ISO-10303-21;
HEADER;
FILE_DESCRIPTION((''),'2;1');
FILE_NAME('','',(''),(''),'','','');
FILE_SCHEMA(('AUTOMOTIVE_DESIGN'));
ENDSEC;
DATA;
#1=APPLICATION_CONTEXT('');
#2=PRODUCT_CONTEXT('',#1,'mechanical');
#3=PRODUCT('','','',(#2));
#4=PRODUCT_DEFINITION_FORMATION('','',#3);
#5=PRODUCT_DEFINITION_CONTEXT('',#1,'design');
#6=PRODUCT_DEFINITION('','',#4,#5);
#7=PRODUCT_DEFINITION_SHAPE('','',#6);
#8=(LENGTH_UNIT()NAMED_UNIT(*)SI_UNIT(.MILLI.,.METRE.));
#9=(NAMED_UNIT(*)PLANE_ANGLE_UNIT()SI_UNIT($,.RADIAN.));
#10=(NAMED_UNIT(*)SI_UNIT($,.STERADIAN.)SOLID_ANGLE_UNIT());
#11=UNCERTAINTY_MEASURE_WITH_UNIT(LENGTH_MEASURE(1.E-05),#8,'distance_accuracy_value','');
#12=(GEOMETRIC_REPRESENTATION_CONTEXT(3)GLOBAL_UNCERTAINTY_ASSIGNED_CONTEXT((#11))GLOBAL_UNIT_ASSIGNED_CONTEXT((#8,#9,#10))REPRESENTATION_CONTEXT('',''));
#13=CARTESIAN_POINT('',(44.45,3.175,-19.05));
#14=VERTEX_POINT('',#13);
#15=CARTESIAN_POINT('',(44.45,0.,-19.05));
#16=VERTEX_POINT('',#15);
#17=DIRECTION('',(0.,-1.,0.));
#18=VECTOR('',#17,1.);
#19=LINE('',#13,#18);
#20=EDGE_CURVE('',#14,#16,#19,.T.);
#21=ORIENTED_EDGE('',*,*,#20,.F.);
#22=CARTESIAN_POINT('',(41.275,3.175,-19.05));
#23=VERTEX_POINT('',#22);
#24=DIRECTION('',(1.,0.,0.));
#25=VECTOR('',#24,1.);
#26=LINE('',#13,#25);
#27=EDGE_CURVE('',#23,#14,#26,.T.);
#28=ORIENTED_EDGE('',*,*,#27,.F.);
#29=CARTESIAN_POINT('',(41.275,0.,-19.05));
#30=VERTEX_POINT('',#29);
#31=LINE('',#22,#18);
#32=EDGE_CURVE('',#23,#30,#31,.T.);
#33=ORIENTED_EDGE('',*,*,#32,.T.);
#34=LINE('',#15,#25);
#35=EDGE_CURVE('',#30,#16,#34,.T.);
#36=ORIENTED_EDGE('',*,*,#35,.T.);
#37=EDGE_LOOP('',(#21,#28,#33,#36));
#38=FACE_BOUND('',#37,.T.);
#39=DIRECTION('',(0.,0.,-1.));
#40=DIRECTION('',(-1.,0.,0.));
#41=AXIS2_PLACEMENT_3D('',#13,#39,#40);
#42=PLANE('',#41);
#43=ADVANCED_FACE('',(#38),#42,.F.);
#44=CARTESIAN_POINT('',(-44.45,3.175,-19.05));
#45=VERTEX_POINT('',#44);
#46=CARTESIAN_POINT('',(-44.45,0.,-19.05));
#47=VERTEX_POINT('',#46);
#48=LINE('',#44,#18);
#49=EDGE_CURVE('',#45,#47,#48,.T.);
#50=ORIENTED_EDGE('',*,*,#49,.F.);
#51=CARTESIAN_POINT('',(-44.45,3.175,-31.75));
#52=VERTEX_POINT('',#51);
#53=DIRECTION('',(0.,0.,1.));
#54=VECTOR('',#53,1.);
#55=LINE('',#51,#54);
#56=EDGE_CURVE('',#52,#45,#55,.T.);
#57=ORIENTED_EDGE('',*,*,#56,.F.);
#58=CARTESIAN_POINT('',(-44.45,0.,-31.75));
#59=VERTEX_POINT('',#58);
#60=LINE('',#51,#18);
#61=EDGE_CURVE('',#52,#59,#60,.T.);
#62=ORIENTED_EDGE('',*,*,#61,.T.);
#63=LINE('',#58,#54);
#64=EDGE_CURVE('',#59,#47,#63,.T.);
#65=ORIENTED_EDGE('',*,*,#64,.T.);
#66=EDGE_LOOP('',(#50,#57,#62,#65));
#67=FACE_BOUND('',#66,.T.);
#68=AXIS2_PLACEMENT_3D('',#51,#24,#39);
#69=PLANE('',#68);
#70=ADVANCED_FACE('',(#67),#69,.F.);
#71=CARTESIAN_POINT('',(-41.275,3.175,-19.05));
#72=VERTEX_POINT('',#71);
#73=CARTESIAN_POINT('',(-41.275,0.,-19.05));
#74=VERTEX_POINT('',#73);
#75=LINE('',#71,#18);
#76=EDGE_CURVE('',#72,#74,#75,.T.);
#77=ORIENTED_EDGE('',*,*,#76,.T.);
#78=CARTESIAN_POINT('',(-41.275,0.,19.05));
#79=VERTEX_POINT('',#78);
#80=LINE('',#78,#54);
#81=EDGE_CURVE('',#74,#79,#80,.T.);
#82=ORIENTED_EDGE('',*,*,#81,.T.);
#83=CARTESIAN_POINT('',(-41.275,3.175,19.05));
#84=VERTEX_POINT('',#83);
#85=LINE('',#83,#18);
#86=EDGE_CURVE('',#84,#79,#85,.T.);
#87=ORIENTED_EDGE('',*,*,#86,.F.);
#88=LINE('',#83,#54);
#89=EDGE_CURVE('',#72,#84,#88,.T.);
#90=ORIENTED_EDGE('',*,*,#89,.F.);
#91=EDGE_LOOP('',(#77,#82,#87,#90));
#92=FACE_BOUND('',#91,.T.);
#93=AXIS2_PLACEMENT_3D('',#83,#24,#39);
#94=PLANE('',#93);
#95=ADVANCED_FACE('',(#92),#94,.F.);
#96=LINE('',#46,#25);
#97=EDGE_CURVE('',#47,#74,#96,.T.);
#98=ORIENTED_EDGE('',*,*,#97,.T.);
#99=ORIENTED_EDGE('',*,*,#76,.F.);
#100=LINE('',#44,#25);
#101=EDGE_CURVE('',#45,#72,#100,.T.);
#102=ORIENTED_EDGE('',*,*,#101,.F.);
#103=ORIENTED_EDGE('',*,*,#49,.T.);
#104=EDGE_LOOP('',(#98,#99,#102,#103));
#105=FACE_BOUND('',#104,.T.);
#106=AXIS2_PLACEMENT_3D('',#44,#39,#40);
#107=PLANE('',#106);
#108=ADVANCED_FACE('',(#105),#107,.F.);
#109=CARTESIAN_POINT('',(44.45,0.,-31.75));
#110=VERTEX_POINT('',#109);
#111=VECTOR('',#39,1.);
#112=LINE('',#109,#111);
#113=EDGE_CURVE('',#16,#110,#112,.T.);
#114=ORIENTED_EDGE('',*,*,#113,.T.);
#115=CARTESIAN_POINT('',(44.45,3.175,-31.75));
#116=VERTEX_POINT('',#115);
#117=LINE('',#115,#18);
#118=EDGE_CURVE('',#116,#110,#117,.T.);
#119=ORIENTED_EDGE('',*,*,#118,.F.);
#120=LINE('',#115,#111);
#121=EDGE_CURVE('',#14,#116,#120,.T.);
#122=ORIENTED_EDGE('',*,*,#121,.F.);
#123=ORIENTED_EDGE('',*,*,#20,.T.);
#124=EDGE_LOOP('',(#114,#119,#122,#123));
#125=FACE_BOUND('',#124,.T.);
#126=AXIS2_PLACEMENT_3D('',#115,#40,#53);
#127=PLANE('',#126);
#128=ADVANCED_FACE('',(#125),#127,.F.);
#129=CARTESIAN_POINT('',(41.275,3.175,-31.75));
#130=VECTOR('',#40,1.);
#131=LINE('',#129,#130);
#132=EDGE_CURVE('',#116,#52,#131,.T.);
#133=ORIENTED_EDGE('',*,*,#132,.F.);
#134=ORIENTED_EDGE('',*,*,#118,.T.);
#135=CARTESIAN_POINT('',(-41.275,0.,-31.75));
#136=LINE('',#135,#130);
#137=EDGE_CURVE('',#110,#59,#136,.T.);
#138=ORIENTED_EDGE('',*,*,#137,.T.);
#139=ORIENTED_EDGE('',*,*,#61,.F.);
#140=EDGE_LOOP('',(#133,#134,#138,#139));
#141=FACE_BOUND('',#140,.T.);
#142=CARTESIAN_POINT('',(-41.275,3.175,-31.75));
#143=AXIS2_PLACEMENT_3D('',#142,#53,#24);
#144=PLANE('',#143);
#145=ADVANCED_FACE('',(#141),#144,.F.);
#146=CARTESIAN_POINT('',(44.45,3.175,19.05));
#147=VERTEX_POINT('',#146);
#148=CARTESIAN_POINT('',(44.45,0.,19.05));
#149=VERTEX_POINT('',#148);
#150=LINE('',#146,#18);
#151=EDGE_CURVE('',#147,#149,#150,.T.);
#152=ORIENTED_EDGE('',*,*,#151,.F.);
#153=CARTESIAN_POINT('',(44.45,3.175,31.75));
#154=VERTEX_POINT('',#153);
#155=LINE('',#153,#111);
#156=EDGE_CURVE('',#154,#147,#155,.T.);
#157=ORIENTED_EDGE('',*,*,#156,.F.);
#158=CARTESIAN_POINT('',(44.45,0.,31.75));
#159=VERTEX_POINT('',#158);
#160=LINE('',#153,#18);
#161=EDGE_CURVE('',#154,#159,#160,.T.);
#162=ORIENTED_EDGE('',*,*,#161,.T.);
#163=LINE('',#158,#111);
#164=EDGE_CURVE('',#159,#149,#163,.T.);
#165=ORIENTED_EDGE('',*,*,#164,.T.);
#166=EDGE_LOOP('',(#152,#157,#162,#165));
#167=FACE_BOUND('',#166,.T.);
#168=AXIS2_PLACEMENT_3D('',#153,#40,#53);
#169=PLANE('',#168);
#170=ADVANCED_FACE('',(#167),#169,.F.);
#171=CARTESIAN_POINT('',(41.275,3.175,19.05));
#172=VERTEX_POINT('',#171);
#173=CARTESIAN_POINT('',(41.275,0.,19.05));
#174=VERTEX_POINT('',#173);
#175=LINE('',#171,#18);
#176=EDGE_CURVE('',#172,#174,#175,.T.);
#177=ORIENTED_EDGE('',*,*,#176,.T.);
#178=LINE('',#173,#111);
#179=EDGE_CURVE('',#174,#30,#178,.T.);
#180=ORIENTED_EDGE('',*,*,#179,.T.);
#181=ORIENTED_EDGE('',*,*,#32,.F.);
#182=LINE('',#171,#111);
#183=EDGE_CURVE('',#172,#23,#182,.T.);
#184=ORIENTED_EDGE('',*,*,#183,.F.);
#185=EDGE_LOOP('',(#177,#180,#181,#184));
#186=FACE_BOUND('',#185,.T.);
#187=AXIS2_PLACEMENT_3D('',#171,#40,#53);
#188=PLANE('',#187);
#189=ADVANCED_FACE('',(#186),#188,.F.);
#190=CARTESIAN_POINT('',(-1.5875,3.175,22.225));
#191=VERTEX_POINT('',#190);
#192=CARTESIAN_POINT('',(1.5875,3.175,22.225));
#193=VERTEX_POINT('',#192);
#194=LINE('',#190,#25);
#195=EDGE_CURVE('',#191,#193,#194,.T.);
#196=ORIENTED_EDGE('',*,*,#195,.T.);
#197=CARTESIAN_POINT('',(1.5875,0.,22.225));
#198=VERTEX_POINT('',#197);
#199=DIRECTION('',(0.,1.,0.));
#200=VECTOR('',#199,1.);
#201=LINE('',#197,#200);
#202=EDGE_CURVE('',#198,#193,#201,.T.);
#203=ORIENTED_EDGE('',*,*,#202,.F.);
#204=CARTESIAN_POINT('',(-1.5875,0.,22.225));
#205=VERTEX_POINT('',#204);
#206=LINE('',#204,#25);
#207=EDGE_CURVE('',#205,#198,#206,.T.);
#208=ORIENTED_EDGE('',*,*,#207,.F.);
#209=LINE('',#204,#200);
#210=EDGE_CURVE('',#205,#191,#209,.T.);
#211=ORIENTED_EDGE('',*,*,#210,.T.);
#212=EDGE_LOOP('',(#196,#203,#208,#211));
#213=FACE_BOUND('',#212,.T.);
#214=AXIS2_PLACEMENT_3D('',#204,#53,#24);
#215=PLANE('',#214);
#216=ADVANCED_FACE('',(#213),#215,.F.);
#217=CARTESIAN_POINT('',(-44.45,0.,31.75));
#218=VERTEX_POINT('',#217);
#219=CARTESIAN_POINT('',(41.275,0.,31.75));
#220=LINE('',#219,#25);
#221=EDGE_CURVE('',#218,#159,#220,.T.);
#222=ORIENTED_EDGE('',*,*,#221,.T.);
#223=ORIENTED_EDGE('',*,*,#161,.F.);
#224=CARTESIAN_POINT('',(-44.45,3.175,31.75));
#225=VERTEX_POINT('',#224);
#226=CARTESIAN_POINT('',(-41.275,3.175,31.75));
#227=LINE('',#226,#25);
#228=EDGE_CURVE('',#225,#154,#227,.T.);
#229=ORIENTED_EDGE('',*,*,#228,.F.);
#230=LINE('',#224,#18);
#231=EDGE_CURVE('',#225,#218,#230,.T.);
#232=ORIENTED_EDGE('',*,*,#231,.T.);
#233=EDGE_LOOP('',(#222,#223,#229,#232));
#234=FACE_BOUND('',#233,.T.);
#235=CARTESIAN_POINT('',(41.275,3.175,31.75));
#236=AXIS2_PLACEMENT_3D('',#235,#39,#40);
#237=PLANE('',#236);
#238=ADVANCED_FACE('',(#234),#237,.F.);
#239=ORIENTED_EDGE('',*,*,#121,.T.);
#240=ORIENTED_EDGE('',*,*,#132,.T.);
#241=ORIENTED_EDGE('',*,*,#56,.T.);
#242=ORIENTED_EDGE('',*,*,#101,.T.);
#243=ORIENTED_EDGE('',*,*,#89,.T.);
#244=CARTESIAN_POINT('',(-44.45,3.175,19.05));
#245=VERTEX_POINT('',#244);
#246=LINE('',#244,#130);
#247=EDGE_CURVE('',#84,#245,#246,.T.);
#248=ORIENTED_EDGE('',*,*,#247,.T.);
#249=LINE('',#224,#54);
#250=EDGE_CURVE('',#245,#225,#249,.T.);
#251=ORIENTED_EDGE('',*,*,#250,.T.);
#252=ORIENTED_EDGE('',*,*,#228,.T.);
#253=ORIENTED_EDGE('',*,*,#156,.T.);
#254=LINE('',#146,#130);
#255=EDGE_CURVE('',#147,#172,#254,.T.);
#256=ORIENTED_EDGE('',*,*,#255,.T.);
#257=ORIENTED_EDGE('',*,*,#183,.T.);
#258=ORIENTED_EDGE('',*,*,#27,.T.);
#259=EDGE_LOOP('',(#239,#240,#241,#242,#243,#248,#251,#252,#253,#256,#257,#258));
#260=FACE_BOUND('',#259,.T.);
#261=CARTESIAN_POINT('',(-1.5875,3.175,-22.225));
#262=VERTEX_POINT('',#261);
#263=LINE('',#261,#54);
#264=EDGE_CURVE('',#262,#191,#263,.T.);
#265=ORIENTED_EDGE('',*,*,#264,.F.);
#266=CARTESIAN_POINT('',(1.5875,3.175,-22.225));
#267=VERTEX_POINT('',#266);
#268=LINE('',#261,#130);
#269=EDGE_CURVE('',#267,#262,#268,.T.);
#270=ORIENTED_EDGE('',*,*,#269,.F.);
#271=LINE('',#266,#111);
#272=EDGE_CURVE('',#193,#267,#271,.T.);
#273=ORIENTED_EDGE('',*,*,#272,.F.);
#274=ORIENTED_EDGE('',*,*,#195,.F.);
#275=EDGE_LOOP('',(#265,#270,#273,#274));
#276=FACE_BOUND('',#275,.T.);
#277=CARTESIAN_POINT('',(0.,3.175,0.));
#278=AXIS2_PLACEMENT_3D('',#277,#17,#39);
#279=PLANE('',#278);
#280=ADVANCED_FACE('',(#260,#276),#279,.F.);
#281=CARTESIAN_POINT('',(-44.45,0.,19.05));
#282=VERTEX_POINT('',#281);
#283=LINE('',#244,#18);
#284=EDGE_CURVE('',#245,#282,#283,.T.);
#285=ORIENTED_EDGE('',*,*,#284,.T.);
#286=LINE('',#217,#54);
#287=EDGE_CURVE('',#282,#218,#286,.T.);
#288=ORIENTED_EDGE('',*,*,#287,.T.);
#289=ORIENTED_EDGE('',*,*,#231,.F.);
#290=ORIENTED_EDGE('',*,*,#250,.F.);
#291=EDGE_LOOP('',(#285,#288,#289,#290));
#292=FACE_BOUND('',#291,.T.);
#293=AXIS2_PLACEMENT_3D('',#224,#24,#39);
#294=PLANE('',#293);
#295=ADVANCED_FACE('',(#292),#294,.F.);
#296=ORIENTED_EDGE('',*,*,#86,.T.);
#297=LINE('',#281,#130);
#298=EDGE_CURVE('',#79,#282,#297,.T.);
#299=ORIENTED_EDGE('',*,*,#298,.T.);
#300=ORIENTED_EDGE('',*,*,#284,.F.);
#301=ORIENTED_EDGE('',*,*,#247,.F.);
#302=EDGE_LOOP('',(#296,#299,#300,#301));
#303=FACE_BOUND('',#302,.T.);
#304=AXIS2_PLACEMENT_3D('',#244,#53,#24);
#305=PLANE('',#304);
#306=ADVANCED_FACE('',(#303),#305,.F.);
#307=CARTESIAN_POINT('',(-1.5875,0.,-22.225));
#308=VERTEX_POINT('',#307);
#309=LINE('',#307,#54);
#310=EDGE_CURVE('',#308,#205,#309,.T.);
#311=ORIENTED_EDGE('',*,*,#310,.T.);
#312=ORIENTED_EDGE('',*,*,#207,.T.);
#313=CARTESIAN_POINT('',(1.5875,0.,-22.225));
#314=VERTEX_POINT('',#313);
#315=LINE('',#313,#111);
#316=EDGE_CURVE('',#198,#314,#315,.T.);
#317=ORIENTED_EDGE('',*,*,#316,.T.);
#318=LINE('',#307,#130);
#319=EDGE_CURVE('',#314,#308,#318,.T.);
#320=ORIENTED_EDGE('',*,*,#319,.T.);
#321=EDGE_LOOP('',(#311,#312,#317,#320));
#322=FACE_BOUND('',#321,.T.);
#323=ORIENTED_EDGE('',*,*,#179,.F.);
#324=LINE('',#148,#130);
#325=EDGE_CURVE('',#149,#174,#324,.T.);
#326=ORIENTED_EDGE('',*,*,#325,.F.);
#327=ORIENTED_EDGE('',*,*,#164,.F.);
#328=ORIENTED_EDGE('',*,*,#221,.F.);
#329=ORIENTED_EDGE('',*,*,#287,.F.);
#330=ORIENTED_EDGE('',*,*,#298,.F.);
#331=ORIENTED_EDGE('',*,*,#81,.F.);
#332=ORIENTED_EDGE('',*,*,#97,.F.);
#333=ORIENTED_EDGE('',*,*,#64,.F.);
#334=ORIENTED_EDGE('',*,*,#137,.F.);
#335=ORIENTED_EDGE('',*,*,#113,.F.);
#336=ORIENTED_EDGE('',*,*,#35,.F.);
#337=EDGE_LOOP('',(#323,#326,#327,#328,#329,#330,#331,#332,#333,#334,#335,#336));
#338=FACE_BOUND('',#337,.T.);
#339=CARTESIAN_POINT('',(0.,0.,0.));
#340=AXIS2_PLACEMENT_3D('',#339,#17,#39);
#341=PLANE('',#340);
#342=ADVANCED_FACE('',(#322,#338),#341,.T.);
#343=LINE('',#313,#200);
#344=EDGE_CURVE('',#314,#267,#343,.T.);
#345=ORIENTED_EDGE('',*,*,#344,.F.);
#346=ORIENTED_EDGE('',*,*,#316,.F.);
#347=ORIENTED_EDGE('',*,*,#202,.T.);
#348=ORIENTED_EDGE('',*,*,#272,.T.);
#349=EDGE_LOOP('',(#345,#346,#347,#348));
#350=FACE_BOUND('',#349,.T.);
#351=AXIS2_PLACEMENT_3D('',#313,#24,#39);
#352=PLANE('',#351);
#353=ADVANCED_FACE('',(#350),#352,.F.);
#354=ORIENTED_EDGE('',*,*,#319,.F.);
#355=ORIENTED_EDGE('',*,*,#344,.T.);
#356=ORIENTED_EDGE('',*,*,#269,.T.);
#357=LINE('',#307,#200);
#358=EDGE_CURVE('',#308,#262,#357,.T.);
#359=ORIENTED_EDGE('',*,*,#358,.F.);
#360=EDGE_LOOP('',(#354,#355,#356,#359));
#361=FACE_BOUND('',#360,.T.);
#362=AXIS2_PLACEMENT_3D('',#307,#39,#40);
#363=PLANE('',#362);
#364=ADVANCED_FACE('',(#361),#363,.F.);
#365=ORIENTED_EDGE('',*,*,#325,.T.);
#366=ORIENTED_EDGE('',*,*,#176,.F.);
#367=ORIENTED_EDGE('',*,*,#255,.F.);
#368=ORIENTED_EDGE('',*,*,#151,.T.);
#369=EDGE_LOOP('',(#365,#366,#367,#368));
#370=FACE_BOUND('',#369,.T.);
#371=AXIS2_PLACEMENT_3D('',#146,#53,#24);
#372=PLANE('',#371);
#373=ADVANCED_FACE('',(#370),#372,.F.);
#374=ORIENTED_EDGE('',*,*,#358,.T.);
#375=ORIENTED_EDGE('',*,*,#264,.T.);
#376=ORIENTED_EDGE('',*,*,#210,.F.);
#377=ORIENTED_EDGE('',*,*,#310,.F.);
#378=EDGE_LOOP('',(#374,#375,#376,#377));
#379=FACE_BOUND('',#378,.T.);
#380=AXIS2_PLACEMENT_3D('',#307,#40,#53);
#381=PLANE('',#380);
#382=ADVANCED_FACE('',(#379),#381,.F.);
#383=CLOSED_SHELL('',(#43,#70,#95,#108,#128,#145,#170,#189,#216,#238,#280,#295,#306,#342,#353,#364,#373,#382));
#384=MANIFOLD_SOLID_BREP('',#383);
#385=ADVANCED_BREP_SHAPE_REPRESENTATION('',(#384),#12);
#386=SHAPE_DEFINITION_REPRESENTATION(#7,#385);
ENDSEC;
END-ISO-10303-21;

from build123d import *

# Parameters (mm, degrees)
BOSS_EXTRUDE1_DEPTH = 3.175
SKETCH2_W           = 3.175
SKETCH2_H           = 44.45
CUT_EXTRUDE1_DEPTH  = 3.175


with BuildPart() as part:
    # Sketch1 → Boss-Extrude1 (new body)
    with BuildSketch(Plane(origin=(0, 0, 0), x_dir=(1, 0, 0), z_dir=(0, 1, 0))):
        Polygon((-41.275, -19.05), (-41.275, 19.05), (-44.45, 19.05), (-44.45, 31.75), (-41.275, 31.75), (41.275, 31.75), (44.45, 31.75), (44.45, 19.05), (41.275, 19.05), (41.275, -19.05), (44.45, -19.05), (44.45, -31.75), (41.275, -31.75), (-41.275, -31.75), (-44.45, -31.75), (-44.45, -19.05), align=None)
    extrude(amount=BOSS_EXTRUDE1_DEPTH)

    # Sketch2 → Cut-Extrude1 (cut)
    with BuildSketch(Plane(origin=(0, 3.175, 0), x_dir=(1, 0, 0), z_dir=(0, 1, 0))):
        Rectangle(SKETCH2_W, SKETCH2_H)
    extrude(amount=-CUT_EXTRUDE1_DEPTH, mode=Mode.SUBTRACT)


solid = part.part
